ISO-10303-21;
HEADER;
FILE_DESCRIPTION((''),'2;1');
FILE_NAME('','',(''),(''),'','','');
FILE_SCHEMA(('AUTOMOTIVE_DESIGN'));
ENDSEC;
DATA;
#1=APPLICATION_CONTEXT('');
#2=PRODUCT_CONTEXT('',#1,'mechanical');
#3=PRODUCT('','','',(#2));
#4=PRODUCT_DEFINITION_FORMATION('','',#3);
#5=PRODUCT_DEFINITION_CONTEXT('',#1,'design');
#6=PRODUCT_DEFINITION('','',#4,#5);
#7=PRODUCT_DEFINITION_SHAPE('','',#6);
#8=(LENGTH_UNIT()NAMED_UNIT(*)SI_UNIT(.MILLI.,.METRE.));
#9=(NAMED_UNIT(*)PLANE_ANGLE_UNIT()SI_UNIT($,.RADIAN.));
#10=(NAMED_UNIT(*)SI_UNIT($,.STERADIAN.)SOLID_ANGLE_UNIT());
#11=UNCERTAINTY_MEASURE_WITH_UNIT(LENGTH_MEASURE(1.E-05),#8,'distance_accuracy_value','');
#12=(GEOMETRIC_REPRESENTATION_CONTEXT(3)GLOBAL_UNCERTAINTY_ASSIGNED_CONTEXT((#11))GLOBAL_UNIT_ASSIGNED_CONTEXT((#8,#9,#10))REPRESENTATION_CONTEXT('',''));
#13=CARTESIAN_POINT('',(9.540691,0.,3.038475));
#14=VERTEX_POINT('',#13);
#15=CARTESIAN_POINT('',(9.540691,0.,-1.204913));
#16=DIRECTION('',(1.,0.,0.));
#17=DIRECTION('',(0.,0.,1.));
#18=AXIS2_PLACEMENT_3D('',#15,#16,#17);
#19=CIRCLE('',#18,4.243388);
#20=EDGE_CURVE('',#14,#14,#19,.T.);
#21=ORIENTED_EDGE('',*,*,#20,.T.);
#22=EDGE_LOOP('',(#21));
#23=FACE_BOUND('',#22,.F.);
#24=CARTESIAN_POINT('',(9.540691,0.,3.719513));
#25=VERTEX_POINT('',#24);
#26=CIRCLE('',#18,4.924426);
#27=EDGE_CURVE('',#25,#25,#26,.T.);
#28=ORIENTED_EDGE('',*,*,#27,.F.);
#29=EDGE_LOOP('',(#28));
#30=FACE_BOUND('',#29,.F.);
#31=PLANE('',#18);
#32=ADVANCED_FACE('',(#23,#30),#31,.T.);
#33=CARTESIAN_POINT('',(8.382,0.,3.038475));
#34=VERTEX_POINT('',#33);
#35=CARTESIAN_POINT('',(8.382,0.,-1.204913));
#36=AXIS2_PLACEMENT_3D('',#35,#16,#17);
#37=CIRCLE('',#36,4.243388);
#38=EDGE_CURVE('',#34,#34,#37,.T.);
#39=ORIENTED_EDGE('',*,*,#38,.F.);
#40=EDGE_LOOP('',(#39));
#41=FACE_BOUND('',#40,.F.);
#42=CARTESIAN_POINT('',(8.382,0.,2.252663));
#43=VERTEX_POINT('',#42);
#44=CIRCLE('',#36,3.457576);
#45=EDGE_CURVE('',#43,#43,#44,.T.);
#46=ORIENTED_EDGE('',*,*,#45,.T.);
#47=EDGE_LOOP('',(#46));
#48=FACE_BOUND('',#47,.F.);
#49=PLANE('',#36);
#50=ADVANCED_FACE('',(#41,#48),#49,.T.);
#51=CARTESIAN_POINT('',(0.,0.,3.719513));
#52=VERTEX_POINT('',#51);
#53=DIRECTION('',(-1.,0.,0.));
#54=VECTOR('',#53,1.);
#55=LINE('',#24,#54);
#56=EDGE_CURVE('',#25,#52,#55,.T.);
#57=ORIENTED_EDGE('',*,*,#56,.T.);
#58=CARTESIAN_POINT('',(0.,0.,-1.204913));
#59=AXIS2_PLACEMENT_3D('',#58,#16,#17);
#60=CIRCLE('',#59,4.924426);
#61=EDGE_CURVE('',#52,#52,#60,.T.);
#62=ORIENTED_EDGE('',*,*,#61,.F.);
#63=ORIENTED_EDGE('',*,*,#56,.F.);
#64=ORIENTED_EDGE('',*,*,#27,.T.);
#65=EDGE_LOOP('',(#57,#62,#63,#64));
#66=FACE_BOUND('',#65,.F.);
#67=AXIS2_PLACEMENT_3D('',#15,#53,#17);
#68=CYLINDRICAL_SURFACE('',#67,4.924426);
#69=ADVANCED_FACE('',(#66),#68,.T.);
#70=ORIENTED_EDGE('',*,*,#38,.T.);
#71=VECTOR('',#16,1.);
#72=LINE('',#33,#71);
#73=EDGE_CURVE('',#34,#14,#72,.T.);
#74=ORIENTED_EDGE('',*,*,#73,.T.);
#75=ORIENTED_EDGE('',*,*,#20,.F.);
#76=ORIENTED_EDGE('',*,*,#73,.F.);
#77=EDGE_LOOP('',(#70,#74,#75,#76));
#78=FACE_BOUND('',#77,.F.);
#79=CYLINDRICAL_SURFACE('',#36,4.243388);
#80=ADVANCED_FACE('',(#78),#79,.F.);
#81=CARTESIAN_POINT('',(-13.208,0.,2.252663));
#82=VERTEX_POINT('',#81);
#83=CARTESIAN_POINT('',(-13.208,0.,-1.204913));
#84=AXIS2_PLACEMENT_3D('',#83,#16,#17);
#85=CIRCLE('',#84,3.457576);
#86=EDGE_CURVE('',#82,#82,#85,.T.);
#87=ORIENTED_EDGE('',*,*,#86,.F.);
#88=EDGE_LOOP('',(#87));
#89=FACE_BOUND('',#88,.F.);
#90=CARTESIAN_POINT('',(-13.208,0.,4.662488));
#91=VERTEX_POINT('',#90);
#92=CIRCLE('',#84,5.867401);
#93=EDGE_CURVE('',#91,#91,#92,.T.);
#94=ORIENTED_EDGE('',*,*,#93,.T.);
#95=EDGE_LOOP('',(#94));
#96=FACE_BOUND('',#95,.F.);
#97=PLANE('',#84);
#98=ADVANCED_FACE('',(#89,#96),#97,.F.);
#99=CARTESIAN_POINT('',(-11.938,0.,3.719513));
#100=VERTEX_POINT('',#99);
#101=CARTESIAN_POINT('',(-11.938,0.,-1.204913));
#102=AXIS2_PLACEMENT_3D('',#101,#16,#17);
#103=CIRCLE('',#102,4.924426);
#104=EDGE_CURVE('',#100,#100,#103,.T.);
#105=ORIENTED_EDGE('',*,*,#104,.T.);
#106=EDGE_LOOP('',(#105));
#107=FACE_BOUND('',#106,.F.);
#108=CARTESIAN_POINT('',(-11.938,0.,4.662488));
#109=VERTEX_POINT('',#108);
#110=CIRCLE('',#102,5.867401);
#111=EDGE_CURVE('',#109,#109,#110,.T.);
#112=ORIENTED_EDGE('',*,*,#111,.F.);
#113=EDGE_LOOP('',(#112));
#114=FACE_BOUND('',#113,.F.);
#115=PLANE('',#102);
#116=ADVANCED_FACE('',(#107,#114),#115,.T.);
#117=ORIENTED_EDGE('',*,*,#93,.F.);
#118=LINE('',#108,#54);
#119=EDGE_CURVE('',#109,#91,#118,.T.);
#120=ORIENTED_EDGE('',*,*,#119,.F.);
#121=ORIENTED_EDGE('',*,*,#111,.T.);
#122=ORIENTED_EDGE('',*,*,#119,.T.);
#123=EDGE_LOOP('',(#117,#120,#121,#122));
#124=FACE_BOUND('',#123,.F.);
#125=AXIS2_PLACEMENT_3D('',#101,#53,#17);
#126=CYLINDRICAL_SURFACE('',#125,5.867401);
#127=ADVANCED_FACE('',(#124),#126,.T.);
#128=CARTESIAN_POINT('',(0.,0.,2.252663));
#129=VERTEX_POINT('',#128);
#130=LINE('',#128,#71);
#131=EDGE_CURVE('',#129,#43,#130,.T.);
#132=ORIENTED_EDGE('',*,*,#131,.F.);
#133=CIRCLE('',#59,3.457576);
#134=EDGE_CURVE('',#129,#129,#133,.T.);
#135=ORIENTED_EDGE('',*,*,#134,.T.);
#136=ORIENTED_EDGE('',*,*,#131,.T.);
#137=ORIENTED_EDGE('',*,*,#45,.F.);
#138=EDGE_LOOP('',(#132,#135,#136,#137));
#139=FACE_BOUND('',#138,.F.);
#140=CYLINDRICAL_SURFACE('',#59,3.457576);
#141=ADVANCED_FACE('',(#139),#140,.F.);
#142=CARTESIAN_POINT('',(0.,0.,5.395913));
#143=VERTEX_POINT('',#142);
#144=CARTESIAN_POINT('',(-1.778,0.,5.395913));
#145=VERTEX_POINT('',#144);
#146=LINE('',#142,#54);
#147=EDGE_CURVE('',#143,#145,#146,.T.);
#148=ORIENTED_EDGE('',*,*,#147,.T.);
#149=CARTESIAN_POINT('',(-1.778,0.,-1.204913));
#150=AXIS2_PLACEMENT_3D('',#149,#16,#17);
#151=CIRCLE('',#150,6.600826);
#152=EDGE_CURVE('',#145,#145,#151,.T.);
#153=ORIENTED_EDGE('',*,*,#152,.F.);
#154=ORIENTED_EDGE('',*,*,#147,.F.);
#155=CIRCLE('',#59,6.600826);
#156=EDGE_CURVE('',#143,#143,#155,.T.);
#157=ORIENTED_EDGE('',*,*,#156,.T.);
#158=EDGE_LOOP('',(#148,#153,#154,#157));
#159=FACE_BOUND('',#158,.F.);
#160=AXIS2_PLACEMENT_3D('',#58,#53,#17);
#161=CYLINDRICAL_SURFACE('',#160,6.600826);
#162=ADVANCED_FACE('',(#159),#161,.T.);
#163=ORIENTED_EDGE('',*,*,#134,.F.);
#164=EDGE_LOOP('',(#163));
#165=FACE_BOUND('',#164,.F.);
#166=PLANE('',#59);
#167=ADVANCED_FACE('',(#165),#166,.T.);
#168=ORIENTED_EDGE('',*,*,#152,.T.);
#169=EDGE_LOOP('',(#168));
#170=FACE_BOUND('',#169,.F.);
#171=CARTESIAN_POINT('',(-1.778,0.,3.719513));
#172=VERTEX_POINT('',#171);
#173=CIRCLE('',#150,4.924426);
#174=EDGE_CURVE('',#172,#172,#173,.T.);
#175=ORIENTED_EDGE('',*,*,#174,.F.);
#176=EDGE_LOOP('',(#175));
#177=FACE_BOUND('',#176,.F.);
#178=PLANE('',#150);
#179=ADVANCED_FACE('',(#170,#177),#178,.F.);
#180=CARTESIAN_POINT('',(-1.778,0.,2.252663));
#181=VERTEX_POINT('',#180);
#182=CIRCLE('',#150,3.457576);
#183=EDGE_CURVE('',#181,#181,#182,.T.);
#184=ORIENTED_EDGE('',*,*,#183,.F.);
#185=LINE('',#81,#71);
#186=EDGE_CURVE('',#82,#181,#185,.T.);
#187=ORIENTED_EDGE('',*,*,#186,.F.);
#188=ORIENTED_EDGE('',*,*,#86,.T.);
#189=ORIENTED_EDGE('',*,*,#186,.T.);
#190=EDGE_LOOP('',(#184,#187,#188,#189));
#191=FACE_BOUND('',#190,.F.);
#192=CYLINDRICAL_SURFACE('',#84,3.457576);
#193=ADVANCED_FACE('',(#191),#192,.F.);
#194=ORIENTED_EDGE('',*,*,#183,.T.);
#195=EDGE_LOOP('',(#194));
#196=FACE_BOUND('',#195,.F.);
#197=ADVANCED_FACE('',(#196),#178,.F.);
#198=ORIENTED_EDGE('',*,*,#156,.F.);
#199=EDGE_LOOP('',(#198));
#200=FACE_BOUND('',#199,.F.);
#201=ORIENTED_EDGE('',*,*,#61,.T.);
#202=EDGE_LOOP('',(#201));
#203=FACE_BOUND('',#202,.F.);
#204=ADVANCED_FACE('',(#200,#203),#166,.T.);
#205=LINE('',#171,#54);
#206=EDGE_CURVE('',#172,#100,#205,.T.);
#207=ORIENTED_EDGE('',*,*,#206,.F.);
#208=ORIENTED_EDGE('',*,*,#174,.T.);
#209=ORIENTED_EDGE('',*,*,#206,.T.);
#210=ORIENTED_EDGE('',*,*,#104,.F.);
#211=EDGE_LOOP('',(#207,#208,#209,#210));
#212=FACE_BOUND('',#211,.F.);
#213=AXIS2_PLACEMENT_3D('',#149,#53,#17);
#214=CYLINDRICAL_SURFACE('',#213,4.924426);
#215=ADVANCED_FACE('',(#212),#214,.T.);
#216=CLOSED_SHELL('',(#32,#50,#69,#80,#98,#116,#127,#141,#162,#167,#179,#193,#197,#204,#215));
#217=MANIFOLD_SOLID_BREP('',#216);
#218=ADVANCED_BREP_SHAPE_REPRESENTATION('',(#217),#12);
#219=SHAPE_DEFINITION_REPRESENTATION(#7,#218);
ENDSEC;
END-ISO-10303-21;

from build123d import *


with BuildPart() as f1:
    # F0 (on Front) → F1 (revolve)
    with BuildSketch(Plane.XZ):
        Polygon((0, -1.204913), (0, 0), (0, 0.417598), (0, 2.252663), (8.382, 2.252663), (8.382, 3.038475), (9.540691, 3.038475), (9.540691, 3.719513), (0, 3.719513), (0, 5.395913), (-1.778, 5.395913), (-1.778, 3.719513), (-11.938, 3.719513), (-11.938, 4.662488), (-13.208, 4.662488), (-13.208, 2.252663), (-1.778, 2.252663), (-1.778, -1.204913), align=None)
    revolve(axis=Axis((-0.889, 0, -1.204913), (1, 0, 0)))


solid = f1.part
